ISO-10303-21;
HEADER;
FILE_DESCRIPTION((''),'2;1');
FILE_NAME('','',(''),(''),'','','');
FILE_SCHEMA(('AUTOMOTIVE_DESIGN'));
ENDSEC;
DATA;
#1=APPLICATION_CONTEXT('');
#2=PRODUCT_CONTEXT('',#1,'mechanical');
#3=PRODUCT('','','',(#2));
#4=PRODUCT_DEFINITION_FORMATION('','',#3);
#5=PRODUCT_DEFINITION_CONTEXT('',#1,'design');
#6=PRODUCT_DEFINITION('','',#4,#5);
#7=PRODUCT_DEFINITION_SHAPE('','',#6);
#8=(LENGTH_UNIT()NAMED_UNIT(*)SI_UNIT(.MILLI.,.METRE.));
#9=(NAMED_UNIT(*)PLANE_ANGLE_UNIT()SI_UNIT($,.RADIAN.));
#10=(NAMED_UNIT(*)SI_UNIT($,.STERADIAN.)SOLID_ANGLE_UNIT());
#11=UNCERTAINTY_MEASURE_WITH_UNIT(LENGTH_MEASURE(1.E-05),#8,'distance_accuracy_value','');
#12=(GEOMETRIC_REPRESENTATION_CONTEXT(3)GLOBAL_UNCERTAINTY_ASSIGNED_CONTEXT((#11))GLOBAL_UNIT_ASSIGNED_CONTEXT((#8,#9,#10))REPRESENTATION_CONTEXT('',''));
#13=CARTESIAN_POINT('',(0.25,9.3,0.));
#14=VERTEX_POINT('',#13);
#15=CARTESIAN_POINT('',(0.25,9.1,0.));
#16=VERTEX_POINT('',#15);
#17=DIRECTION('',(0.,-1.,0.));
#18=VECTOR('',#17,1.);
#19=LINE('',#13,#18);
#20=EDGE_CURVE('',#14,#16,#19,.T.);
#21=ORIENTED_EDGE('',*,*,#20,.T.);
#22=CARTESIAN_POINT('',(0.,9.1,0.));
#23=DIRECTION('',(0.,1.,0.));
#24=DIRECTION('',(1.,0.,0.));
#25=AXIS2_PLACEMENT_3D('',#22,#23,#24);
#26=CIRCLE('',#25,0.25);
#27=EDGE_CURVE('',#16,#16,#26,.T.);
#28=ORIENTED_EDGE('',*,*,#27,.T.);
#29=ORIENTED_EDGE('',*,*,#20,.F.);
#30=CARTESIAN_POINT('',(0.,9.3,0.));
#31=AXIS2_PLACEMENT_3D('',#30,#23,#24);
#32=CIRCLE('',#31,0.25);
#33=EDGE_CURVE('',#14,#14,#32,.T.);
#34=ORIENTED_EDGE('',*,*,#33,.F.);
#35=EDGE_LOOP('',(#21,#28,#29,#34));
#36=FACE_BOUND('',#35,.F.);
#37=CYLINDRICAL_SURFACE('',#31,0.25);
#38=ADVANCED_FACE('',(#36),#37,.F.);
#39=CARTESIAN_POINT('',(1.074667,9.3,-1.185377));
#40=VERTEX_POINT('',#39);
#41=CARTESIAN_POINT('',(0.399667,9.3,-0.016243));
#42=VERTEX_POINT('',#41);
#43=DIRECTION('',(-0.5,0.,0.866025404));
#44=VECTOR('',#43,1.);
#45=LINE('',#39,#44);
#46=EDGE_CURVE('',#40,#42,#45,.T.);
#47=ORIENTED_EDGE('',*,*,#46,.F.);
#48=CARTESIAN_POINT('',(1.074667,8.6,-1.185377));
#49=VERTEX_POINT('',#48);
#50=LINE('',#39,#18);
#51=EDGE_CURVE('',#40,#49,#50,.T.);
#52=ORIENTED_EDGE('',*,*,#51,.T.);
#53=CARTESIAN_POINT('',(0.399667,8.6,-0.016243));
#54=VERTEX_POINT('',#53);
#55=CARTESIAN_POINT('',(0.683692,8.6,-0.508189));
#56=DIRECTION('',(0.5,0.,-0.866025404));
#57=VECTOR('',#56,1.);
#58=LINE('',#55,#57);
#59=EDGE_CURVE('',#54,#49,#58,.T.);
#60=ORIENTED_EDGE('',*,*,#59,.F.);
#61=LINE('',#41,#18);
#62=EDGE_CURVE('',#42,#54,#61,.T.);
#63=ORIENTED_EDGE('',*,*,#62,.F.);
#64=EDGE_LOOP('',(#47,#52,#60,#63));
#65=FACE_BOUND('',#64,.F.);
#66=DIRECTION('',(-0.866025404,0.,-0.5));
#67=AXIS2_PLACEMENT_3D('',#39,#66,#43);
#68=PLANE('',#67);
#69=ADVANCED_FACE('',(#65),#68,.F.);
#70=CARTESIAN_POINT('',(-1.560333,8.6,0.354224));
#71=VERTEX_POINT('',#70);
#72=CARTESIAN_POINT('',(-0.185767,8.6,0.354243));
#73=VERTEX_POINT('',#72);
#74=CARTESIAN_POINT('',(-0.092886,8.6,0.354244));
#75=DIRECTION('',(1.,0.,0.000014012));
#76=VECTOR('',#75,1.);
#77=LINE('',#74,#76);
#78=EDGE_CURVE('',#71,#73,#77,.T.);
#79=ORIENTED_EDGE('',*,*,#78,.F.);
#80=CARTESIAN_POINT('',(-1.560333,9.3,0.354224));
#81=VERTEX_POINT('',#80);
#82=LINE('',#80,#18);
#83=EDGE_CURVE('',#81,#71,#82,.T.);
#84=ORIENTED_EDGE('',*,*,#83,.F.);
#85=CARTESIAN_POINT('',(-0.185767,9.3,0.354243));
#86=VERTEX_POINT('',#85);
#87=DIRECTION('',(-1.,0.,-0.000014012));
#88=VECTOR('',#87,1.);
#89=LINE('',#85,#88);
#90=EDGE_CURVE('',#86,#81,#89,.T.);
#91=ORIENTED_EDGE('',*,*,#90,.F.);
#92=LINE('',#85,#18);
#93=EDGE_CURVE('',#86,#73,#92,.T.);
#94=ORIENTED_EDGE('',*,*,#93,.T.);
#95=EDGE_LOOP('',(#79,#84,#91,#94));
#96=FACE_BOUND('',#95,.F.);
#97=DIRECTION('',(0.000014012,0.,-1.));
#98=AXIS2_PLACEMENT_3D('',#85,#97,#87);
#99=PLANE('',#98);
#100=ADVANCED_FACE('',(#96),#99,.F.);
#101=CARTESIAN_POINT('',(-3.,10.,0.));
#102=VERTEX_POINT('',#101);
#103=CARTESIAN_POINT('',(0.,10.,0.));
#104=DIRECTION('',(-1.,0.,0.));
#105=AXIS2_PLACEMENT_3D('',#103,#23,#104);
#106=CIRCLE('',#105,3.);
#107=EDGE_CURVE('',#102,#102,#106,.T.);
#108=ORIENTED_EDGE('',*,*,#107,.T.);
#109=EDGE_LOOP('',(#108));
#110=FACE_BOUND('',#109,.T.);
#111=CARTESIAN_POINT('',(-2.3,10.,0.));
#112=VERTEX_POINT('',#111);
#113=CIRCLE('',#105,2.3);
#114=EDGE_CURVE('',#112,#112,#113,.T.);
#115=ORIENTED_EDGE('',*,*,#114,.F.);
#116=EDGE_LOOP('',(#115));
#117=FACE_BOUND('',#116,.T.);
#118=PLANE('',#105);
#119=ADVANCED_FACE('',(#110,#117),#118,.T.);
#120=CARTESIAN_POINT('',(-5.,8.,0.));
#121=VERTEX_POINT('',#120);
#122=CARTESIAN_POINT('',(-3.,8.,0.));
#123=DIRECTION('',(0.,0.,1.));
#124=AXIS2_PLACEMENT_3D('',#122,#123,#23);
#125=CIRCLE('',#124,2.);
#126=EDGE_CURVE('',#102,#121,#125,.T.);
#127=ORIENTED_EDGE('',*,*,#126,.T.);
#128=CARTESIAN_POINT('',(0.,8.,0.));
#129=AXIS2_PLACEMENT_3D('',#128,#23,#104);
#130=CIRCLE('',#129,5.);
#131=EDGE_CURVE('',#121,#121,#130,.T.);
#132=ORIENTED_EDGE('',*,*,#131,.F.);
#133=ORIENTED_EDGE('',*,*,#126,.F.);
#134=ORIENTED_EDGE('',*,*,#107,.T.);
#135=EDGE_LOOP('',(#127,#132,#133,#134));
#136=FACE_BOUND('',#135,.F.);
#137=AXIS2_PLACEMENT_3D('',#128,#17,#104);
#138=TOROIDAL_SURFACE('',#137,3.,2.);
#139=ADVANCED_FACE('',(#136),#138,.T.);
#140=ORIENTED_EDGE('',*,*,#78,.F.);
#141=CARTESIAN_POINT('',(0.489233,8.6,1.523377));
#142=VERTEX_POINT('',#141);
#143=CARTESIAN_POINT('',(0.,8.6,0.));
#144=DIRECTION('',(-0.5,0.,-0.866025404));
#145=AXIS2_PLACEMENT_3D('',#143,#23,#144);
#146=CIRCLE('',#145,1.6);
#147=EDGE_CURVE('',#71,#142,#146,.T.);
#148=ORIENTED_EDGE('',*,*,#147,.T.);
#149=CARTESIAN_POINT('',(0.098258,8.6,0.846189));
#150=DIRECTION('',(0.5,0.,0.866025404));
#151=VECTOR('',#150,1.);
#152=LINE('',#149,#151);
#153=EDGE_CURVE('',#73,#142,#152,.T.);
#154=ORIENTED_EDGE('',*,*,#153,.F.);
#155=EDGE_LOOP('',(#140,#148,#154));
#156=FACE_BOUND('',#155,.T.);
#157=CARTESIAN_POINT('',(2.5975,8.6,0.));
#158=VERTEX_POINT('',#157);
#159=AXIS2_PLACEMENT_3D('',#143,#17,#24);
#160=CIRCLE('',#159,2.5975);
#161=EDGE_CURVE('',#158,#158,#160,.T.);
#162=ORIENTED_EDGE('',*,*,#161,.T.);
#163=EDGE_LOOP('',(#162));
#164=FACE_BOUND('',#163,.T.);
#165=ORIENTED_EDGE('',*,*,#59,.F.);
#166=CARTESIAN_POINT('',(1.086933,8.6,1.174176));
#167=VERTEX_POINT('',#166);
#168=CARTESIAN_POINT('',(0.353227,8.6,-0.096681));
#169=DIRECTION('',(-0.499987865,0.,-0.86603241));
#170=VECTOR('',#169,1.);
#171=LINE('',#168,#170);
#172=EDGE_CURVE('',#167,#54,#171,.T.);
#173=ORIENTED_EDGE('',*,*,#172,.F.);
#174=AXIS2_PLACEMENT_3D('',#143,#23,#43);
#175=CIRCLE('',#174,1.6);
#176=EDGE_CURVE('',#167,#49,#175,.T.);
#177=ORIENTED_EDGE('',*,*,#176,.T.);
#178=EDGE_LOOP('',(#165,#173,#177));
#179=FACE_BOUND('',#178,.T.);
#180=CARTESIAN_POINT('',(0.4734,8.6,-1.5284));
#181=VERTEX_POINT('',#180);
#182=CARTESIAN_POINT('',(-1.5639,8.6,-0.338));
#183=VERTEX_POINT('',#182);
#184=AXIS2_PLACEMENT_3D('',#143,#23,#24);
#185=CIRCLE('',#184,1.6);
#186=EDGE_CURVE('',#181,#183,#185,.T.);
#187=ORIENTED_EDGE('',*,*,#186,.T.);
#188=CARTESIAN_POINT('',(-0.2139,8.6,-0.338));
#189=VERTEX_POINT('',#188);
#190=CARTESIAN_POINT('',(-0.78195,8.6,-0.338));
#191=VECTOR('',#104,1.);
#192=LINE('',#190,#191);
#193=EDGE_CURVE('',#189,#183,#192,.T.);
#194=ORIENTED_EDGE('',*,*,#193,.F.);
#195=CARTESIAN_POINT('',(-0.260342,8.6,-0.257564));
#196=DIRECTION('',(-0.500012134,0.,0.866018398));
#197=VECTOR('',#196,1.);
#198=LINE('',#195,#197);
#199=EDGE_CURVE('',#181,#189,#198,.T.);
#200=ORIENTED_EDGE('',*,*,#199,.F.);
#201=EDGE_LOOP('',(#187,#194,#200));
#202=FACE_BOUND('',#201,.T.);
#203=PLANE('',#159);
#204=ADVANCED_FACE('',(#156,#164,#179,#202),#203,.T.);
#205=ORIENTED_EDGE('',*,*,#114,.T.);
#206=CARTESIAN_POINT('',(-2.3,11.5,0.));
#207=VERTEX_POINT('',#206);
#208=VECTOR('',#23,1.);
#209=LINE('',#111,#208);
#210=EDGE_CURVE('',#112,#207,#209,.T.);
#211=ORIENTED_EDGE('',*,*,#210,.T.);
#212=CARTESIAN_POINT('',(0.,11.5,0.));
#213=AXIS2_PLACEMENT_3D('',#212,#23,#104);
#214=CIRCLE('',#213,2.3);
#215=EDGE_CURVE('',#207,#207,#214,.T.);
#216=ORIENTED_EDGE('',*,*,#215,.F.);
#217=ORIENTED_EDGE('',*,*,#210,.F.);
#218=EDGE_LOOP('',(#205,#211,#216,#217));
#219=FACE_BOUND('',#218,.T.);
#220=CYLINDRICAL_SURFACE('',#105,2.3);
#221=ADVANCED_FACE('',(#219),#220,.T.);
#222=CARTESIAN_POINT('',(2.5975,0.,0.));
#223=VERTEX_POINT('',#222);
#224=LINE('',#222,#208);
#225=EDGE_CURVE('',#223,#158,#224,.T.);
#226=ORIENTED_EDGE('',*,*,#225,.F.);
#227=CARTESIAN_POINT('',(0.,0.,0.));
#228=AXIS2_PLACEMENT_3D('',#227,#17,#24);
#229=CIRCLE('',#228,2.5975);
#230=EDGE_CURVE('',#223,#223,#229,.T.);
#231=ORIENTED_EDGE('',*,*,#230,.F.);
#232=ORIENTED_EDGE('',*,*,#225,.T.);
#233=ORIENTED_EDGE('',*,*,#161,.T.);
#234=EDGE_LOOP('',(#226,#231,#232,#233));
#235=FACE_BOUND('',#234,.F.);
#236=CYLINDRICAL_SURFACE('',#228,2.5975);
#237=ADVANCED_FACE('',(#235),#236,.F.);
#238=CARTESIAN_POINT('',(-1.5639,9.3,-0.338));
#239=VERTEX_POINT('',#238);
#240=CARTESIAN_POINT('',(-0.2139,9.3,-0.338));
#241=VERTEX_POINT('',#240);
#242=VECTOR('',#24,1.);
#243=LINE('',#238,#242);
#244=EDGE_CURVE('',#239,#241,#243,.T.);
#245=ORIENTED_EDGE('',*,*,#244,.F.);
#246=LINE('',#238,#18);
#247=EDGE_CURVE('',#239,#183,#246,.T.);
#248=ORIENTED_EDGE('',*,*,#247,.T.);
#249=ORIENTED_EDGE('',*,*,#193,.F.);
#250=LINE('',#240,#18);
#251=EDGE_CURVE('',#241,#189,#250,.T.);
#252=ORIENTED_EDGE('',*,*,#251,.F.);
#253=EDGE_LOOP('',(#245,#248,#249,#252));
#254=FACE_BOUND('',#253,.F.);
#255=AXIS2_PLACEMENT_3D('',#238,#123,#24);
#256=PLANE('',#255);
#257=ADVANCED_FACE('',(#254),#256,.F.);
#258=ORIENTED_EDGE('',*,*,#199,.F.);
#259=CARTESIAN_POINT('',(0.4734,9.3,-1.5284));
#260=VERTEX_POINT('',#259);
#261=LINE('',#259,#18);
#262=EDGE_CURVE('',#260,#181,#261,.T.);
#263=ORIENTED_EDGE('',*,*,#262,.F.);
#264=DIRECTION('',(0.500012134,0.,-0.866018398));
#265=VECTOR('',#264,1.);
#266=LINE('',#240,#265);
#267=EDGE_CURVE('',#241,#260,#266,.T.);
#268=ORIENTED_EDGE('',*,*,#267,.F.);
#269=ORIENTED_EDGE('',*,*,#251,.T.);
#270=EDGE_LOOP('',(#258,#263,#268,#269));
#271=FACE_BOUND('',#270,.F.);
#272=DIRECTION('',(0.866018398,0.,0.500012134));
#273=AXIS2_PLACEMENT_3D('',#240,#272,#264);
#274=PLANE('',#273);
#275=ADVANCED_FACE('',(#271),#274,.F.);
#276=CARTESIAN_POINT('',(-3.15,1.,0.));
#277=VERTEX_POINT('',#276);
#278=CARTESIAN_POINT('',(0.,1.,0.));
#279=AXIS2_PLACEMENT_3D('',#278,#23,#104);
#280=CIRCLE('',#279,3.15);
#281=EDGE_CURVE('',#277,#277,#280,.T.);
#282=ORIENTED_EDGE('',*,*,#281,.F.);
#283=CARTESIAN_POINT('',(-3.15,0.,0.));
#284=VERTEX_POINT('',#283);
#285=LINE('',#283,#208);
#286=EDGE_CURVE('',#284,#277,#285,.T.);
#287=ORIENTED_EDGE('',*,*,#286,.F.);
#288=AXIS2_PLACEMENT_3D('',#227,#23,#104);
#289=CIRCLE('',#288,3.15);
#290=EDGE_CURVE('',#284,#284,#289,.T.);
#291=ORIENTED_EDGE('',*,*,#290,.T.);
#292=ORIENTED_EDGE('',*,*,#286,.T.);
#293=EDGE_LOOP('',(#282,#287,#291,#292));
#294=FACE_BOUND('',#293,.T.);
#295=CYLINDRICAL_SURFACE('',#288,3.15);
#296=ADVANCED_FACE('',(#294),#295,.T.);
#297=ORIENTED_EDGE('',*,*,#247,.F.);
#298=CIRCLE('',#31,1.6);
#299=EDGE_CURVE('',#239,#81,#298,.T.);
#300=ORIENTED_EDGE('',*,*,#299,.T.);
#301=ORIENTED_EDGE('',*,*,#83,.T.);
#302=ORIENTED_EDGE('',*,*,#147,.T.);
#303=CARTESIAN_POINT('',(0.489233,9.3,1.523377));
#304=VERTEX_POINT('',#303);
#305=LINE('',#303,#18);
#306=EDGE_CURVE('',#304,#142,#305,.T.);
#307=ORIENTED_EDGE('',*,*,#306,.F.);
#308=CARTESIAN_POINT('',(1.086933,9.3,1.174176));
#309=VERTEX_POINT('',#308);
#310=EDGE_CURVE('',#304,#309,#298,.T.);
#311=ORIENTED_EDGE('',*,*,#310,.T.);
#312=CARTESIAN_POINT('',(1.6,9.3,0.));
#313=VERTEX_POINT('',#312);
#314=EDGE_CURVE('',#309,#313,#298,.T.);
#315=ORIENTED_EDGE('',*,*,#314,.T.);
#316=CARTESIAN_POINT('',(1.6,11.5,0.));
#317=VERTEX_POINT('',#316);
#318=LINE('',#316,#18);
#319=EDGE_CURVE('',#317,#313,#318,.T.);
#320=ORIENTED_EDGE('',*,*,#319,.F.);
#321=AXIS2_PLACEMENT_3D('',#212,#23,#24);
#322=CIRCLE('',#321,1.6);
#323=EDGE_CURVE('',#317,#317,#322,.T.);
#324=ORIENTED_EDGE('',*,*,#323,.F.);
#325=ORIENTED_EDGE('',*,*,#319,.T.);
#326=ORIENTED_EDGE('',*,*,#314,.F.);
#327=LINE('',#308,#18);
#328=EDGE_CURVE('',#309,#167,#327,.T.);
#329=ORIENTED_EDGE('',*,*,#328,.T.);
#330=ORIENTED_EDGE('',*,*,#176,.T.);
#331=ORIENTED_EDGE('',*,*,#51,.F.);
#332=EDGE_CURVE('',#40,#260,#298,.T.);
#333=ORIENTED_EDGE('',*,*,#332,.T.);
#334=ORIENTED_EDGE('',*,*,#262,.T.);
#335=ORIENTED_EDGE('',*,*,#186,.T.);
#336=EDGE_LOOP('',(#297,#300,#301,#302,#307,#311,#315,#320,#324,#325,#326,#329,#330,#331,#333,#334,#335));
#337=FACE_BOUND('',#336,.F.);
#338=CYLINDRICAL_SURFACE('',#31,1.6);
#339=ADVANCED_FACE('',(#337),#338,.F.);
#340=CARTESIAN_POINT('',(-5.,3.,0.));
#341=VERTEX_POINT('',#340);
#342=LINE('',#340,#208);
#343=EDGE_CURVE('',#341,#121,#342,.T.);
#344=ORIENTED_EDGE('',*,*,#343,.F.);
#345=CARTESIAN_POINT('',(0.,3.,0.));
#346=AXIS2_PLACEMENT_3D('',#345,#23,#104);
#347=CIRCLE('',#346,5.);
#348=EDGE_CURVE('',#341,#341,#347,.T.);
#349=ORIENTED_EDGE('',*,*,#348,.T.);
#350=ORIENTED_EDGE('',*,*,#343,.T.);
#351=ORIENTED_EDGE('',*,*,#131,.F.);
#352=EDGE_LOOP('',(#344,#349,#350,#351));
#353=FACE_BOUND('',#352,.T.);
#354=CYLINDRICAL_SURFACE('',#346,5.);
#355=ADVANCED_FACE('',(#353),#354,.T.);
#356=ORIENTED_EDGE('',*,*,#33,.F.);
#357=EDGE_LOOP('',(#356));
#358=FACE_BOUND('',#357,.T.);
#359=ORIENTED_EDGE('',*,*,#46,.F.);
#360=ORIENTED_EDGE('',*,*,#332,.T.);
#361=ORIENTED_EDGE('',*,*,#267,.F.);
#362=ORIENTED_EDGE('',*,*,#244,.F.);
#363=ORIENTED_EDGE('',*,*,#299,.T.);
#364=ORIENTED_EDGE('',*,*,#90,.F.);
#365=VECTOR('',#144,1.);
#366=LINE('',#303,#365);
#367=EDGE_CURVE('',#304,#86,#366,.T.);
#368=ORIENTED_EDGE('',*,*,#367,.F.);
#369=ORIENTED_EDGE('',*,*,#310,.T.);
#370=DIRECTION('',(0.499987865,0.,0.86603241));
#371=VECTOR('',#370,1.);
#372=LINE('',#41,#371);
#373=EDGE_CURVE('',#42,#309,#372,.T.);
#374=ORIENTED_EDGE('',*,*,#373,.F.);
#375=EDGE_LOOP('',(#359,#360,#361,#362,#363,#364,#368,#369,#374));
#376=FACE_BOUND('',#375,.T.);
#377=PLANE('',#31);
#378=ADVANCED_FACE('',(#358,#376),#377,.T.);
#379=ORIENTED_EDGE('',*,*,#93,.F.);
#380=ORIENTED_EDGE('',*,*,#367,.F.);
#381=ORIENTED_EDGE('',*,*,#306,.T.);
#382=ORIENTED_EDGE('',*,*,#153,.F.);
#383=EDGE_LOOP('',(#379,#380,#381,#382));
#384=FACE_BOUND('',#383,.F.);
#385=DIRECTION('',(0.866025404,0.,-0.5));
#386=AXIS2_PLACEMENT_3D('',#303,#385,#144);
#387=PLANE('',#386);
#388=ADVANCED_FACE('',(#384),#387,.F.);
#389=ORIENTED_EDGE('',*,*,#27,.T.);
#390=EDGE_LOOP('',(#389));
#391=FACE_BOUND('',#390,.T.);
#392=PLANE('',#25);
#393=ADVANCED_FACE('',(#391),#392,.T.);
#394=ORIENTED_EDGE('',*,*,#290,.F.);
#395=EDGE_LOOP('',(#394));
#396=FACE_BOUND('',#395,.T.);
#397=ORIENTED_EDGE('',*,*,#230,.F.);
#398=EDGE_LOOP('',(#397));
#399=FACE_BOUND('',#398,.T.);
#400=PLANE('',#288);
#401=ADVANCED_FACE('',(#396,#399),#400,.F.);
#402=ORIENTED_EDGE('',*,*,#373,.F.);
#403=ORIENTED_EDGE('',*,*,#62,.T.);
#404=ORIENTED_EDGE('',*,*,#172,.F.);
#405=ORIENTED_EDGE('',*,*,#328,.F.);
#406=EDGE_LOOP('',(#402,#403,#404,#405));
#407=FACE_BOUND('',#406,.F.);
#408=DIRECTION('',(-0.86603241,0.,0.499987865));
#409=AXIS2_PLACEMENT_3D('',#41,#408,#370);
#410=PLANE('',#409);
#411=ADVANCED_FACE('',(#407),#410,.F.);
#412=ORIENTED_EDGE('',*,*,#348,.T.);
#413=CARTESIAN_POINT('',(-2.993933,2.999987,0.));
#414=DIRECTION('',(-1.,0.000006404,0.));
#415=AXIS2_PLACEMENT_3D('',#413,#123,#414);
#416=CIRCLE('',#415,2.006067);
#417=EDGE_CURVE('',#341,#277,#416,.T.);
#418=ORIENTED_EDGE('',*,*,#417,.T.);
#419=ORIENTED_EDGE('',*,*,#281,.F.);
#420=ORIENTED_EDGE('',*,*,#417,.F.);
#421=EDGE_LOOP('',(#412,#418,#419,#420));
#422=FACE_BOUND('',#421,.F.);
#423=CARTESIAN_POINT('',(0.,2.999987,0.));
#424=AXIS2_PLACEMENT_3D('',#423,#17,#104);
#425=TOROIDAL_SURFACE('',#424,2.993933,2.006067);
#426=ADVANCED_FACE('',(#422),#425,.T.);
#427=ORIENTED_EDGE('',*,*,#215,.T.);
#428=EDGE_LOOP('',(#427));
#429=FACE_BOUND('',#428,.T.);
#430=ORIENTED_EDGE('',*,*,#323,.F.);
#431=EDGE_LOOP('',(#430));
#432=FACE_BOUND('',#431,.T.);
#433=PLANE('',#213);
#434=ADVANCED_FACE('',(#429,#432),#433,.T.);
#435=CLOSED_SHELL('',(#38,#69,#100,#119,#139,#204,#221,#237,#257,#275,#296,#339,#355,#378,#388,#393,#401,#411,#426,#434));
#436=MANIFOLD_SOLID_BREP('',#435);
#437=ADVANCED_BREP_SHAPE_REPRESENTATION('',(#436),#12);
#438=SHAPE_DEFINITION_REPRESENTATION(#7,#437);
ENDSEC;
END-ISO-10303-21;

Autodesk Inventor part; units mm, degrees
ref_plane "YZ Plane" through (0, 0, 0) normal (1, 0, 0) x (0, 1, 0)
ref_plane "XZ Plane" through (0, 0, 0) normal (0, 1, 0) x (-1, 0, 0)
ref_plane "XY Plane" through (0, 0, 0) normal (0, 0, 1) x (1, 0, 0)
sketch "Sketch1" plane through (0, 0, 0) normal (0, 0, 1) x (1, 0, 0)
  line L0 (0, 0) -> (0, 11.5)
  line L1 (0, 0) -> (-3.15, 0)
  line L2 (-3.15, 0) -> (-3.15, 1)
  arc A0 (-5, 3) -> (-3.15, 1) centre (-2.9939, 3) ccw
  line L3 (-5, 3) -> (-5, 8)
  arc A1 (-3, 10) -> (-5, 8) centre (-3, 8) ccw
  line L4 (-3, 10) -> (-2.3, 10)
  line L5 (-2.3, 10) -> (-2.3, 11.5)
  line L6 (-2.3, 11.5) -> (0, 11.5)
  dimension "d0" = 11.5
  dimension "d1" = 3.15
  dimension "d2" = 1
  dimension "d3" = 5
  dimension "d4" = 5
  dimension "d5" = 2.3
  dimension "d7" = 2
  dimension "d8" = 2
  dimension "d9" = 2
revolve "Revolution1" add sketch "Sketch1" angle 360 about axis through (0, 0, 0) along (0, 1, 0)
sketch "Sketch2" plane through (0, 0, 0) normal (0, -1, 0) x (1, 0, 0)
  circle A0 centre (0, 0) radius 2.5975
  dimension "d11" = 5.195
extrude "Extrusion1" cut sketch "Sketch2" against normal blind 8.6
sketch "Sketch3" plane through (0, 11.5, 0) normal (0, 1, 0) x (1, 0, 0)
  circle A0 centre (0, 0) radius 2.3 projected
  circle A1 centre (0, 0) radius 1.6
  dimension "d14" = 0.7
extrude "Extrusion2" cut sketch "Sketch3" against normal blind 2.2 contours A1
sketch "Sketch4" plane through (0, 9.3, 0) normal (0, 1, 0) x (1, 0, 0)
  circle A0 centre (0, 0) radius 0.4 construction
  circle A1 centre (0, 0) radius 1.6 projected
  line L0 (-1.5639, 0.338) -> (-0.2139, 0.338)
  line L1 (-0.2139, 0.338) -> (0.4734, 1.5284)
  arc A2 (0.4734, 1.5284) -> (-1.5639, 0.338) centre (0, 0) ccw
  dimension "d17" = 0.8
  dimension "d18" = 1.35
  dimension "d19" = 120
extrude "Extrusion3" cut sketch "Sketch4" against normal blind 4 contours L1 L0 A1 picked at (0.1203, 1.1544)
pattern_circular "Circular Pattern1" count 3 over 360 about axis through (0, 11.5, 0) along (0, -1, 0) of "Extrusion3"
sketch "Sketch5" plane through (0, 9.3, 0) normal (0, 1, 0) x (1, 0, 0)
  circle A0 centre (0, 0) radius 0.25
  dimension "d25" = 0.5
extrude "Extrusion4" cut sketch "Sketch5" against normal blind 0.2
properties part number "Lego head"
